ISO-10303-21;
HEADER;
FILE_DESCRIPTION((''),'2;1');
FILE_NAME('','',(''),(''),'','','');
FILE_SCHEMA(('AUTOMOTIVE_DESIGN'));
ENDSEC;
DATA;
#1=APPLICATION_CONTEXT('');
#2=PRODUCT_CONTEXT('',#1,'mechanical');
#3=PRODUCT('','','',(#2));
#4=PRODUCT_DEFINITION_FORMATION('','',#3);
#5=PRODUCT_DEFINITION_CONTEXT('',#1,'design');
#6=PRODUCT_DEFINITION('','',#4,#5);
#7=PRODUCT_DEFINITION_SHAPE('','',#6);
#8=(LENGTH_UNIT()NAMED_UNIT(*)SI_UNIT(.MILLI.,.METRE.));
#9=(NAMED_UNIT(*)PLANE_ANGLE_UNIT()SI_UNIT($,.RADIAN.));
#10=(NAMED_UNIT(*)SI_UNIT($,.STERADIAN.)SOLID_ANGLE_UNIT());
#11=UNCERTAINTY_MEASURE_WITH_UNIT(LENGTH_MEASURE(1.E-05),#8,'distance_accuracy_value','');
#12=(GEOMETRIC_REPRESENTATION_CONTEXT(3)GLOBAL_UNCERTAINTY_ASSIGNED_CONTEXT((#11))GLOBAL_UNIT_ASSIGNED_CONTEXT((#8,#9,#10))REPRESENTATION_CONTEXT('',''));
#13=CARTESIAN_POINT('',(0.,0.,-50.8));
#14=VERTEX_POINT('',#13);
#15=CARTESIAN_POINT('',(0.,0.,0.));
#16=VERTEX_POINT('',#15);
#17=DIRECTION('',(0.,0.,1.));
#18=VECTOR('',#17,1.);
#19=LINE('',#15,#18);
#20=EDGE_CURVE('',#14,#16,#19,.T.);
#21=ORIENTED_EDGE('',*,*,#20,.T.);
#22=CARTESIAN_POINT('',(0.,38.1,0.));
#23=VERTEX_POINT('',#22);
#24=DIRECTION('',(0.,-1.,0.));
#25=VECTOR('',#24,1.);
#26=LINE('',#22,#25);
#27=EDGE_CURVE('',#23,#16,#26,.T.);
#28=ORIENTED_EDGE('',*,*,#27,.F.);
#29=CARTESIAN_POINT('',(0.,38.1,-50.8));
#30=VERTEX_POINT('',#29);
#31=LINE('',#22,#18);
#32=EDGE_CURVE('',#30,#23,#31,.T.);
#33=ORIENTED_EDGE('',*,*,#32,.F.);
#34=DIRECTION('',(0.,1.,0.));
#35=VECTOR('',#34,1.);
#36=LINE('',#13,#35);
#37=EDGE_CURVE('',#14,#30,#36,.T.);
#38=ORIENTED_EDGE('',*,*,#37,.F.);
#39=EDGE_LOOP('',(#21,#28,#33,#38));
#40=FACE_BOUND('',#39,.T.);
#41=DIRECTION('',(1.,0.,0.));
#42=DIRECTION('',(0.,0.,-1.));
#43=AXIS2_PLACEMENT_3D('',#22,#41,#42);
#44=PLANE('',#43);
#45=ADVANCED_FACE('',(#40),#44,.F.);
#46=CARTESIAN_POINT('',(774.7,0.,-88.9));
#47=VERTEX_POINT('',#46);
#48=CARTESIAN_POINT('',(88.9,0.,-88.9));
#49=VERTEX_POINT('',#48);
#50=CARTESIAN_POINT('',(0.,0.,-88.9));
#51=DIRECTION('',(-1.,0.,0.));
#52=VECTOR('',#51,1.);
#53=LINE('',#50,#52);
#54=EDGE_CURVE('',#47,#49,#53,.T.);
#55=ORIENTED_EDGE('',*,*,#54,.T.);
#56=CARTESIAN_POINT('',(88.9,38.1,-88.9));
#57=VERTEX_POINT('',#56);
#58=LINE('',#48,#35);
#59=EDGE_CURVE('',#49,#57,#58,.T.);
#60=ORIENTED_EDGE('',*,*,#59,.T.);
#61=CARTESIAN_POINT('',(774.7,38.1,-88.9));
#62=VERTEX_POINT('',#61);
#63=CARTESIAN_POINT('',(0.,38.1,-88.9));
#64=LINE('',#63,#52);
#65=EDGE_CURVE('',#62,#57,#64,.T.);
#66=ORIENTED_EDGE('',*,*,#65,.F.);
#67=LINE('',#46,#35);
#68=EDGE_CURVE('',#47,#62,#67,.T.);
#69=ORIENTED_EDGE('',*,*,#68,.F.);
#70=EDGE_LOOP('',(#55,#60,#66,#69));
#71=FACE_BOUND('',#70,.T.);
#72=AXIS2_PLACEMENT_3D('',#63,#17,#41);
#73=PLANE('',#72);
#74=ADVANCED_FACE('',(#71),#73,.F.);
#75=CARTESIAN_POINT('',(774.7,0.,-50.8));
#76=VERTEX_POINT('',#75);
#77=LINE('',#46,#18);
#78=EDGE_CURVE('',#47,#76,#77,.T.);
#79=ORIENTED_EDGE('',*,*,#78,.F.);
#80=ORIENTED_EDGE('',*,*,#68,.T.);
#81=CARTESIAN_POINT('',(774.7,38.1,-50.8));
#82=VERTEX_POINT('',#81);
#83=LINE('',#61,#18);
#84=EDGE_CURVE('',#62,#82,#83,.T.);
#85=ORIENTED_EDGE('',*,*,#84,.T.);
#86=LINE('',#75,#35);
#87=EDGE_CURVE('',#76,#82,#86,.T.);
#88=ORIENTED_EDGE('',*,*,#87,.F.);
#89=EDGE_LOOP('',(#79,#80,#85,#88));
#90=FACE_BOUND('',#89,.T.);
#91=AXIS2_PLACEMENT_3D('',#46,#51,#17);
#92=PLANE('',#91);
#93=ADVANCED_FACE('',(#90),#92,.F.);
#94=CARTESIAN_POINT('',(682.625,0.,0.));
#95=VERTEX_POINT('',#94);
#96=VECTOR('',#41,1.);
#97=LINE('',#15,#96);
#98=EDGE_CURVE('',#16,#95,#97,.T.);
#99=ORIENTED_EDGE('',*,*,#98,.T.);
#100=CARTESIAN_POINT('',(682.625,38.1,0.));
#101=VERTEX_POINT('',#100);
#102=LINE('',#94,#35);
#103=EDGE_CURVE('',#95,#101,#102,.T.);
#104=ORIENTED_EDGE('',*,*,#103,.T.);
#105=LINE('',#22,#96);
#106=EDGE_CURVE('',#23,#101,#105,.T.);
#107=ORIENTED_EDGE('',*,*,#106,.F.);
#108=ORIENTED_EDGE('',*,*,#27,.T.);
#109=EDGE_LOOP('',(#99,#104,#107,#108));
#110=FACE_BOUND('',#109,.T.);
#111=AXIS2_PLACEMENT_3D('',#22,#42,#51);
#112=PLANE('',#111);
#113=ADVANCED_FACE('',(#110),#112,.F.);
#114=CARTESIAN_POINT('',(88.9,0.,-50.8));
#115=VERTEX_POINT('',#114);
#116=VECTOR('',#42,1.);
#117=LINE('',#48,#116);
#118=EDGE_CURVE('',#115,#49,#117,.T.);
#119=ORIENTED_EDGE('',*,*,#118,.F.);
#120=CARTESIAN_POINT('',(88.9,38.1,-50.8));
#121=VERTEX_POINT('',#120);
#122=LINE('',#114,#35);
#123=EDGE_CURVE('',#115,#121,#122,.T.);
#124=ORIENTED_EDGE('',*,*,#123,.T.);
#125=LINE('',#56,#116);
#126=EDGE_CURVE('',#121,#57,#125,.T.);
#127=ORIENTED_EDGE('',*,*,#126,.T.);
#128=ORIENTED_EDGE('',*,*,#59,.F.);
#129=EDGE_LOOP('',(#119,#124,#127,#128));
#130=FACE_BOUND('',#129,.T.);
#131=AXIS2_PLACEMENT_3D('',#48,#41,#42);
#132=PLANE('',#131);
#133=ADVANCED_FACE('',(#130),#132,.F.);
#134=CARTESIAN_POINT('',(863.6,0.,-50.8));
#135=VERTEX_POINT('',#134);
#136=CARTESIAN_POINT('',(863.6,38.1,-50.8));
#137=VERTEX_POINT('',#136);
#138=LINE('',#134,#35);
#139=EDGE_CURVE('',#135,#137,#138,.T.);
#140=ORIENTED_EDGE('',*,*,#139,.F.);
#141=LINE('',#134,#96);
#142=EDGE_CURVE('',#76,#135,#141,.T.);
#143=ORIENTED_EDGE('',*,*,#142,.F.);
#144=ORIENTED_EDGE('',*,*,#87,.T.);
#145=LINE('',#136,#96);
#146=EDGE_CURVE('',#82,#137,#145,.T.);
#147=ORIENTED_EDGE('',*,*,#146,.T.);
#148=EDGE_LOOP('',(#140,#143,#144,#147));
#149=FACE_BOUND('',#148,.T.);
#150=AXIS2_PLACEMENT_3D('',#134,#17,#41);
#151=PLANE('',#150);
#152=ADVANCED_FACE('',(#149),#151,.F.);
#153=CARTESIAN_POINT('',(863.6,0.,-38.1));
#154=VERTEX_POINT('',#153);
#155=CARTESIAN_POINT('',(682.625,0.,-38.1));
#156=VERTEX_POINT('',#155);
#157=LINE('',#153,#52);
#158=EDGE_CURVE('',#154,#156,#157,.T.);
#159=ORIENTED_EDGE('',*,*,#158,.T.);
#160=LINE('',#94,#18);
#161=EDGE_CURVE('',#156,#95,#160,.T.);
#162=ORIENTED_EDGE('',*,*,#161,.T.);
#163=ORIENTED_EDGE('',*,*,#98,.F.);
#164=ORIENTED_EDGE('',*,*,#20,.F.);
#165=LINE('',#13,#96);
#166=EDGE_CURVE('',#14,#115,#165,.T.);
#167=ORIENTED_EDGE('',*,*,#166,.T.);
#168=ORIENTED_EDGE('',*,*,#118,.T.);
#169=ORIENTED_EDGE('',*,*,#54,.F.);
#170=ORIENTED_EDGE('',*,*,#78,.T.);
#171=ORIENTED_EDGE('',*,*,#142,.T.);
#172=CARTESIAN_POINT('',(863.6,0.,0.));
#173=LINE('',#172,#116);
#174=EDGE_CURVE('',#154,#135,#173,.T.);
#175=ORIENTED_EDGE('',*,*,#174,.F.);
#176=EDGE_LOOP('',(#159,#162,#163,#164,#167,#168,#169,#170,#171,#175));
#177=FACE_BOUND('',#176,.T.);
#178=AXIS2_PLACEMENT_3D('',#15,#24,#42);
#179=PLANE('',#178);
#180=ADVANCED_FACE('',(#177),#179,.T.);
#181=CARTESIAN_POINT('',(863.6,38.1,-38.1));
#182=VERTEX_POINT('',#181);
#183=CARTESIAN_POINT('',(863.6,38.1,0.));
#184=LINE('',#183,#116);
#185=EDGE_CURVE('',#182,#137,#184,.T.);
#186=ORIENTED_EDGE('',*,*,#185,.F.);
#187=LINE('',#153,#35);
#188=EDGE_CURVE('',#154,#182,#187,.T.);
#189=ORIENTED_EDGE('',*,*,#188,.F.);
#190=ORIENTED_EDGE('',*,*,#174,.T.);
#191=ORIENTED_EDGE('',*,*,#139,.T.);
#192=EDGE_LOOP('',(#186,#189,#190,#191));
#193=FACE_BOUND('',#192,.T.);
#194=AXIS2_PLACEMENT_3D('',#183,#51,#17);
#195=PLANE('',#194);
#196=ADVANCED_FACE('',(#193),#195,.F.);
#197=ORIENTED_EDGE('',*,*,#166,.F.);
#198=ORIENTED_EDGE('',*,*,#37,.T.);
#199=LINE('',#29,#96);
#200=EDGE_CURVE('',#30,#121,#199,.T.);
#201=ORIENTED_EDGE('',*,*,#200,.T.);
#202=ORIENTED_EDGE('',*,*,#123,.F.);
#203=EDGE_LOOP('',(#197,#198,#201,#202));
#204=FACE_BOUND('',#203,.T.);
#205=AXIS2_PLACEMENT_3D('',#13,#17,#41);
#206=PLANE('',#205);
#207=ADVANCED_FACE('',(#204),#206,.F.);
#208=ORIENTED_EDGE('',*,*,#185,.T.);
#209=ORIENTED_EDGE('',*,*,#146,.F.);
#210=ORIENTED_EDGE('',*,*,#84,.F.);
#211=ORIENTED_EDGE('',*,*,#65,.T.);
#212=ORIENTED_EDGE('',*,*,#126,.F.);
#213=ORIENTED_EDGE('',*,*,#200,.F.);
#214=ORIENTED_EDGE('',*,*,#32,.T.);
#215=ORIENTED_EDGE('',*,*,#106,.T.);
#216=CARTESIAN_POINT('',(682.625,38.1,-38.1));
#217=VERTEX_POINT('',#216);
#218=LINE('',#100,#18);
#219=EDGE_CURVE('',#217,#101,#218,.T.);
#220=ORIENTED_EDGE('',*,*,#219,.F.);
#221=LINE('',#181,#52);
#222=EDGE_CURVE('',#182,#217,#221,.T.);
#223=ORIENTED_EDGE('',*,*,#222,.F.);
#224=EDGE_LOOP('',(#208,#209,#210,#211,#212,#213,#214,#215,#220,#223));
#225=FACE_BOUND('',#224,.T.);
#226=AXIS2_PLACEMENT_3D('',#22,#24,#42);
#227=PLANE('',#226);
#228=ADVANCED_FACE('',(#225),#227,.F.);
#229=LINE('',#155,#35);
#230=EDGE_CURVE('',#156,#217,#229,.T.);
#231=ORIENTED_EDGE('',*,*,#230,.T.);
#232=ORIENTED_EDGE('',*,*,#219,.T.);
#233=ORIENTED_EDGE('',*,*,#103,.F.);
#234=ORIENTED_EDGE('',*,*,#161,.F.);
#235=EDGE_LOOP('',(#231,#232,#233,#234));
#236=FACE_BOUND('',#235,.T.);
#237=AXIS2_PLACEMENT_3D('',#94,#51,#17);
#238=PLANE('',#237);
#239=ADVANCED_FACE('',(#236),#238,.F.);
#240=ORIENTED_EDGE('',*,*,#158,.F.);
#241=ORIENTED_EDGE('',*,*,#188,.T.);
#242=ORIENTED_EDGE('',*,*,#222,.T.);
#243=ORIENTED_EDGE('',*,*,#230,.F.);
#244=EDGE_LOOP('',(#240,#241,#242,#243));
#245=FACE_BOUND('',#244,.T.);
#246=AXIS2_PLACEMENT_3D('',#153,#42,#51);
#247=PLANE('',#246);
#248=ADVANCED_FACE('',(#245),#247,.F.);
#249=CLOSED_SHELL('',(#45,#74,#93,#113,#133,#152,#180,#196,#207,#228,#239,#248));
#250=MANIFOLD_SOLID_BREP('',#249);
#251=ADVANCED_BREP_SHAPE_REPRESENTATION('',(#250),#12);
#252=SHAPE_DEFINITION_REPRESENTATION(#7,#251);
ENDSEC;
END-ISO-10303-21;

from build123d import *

# Parameters (mm, degrees)
SKETCH1_W           = 863.6
SKETCH1_H           = 88.9
BOSS_EXTRUDE1_DEPTH = 38.1
SKETCH3_W           = 88.9
SKETCH3_H           = 38.1
CUT_EXTRUDE1_DEPTH  = 39.1
SKETCH4_W           = 180.975
SKETCH4_H           = 38.1
CUT_EXTRUDE2_DEPTH  = 39.1


with BuildPart() as part:
    # Sketch1 → Boss-Extrude1 (new body)
    with BuildSketch(Plane(origin=(0, 0, 0), x_dir=(1, 0, 0), z_dir=(0, 1, 0))):
        with Locations((431.8, 44.45)):
            Rectangle(SKETCH1_W, SKETCH1_H)
    extrude(amount=BOSS_EXTRUDE1_DEPTH)

    # Sketch3 → Cut-Extrude1 (cut, through all)
    with BuildSketch(Plane(origin=(0, 38.1, 0), x_dir=(1, 0, 0), z_dir=(0, 1, 0))):
        with Locations((44.45, 69.85)):
            Rectangle(SKETCH3_W, SKETCH3_H)
        with Locations((819.15, 69.85)):
            Rectangle(SKETCH3_W, SKETCH3_H)
    extrude(amount=-CUT_EXTRUDE1_DEPTH, mode=Mode.SUBTRACT)

    # Sketch4 → Cut-Extrude2 (cut, through all)
    with BuildSketch(Plane(origin=(0, 38.1, 0), x_dir=(1, 0, 0), z_dir=(0, 1, 0))):
        with Locations((773.1125, 19.05)):
            Rectangle(SKETCH4_W, SKETCH4_H)
    extrude(amount=-CUT_EXTRUDE2_DEPTH, mode=Mode.SUBTRACT)


solid = part.part
